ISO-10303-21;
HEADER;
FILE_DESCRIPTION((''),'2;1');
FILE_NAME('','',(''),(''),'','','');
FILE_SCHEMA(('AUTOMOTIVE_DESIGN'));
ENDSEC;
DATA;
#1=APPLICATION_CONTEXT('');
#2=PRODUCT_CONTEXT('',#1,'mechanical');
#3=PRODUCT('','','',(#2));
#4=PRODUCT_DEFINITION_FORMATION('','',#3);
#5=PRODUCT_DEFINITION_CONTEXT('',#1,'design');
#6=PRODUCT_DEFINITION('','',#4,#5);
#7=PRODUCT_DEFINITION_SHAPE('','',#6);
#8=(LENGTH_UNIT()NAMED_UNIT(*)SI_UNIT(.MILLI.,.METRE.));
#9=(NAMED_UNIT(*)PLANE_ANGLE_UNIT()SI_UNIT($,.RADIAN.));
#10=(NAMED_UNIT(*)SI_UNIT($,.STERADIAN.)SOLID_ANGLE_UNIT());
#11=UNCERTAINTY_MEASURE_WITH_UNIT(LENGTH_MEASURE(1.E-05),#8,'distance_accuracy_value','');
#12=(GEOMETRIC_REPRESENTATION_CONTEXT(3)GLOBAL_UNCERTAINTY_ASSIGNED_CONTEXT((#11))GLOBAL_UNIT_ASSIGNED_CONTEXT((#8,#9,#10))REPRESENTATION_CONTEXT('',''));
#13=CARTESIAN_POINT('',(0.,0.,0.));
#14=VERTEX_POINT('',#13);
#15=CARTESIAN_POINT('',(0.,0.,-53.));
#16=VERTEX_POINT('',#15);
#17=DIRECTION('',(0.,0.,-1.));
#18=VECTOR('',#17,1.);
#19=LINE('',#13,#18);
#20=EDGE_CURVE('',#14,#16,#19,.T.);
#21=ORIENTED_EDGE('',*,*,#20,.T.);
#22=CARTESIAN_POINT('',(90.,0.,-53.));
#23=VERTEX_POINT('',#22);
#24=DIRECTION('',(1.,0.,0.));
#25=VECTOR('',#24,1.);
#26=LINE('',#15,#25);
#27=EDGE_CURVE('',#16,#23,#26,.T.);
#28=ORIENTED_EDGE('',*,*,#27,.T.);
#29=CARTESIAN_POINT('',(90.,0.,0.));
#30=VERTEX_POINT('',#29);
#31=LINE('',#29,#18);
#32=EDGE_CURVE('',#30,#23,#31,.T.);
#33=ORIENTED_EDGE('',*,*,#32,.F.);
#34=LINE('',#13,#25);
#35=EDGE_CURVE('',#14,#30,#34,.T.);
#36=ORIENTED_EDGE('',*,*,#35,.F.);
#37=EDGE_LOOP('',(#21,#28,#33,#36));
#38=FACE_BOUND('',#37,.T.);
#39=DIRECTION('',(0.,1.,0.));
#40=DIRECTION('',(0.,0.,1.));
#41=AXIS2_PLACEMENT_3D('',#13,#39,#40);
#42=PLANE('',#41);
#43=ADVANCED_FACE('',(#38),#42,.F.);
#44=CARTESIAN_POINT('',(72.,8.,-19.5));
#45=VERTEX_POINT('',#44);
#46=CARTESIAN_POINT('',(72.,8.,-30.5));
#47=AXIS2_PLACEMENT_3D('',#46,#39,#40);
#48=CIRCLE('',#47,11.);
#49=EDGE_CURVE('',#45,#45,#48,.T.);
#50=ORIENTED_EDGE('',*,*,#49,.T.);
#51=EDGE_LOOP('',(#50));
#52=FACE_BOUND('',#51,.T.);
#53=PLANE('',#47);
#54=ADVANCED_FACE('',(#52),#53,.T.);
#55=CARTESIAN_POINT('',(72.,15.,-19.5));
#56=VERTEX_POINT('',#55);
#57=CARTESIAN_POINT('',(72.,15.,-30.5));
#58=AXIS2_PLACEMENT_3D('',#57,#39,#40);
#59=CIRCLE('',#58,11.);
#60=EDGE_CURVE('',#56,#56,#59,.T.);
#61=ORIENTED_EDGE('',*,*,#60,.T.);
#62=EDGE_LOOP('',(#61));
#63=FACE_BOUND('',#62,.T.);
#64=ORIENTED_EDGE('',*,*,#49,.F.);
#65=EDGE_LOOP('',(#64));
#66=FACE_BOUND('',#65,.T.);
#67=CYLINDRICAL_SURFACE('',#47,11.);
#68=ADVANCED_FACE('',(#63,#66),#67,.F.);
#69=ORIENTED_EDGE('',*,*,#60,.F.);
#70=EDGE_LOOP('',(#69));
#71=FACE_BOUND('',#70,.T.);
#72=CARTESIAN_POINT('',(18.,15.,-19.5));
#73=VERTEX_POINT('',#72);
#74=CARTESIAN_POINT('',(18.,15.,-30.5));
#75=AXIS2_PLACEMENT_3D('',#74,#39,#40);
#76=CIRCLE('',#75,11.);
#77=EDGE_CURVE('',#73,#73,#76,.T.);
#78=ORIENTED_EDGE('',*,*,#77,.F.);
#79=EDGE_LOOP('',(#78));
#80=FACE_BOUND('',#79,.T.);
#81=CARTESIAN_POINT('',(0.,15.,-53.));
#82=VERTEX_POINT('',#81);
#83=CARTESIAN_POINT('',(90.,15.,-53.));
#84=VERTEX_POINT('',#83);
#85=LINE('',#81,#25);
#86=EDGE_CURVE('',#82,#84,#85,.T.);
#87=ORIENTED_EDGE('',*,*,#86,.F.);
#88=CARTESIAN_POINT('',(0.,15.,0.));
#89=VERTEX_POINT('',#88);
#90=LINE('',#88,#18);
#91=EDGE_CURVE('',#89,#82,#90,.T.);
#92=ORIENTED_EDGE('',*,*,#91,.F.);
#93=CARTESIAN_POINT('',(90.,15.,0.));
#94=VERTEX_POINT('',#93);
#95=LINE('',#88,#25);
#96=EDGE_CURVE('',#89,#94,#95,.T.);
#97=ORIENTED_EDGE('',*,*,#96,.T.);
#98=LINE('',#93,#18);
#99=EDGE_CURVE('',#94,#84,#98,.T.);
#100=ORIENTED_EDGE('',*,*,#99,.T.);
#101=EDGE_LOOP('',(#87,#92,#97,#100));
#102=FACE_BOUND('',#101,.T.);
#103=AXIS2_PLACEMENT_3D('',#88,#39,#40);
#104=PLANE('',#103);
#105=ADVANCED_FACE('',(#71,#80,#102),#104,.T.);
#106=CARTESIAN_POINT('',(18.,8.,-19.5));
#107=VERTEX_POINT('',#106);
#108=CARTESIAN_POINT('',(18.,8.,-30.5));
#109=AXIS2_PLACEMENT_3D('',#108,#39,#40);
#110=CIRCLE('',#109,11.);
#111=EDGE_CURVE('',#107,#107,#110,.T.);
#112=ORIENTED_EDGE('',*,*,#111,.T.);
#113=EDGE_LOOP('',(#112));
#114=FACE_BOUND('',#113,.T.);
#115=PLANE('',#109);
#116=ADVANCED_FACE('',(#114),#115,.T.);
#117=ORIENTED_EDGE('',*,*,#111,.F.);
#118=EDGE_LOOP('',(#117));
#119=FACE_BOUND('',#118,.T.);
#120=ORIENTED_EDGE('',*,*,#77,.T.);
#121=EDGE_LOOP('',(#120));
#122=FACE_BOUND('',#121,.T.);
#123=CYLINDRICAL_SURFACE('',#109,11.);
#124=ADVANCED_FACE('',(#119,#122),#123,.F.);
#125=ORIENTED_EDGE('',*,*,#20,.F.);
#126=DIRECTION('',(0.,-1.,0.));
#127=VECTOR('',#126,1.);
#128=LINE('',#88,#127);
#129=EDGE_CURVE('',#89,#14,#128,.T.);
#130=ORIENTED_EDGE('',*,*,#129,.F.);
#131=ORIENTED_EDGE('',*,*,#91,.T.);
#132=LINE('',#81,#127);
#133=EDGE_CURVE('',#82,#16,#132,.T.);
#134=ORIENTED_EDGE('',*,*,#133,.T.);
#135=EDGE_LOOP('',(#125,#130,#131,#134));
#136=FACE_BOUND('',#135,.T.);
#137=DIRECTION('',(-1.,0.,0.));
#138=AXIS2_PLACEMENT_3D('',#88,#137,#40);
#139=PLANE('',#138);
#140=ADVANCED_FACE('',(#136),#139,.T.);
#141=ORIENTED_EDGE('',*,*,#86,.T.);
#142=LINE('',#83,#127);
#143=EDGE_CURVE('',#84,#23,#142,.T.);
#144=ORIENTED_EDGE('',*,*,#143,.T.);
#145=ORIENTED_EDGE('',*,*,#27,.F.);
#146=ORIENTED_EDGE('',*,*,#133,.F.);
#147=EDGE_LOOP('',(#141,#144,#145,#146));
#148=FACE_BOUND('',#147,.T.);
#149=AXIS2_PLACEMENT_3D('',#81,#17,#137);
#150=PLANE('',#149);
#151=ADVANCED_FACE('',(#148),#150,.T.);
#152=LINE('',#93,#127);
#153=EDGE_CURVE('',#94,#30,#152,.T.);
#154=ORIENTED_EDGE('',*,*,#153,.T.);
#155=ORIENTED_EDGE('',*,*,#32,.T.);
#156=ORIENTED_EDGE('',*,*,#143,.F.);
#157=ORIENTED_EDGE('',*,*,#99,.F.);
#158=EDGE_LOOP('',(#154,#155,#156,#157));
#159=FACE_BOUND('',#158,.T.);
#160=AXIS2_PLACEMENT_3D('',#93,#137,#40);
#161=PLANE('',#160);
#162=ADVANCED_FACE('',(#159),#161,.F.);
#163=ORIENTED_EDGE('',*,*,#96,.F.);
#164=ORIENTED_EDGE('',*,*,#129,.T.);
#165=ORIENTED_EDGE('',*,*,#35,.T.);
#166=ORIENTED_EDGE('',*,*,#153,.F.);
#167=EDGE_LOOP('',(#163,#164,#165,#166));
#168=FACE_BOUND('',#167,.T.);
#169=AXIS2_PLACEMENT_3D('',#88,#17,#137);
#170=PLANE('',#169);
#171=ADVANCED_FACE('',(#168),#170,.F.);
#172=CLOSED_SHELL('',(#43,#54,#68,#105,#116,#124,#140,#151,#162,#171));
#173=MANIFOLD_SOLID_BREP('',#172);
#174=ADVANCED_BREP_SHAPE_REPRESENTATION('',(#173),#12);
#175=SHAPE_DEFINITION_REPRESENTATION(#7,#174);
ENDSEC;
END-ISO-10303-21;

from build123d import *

# Parameters (mm, degrees)
CROQUIS1_W              = 90
CROQUIS1_H              = 53
SALIENTE_EXTRUIR1_DEPTH = 15
CROQUIS2_R              = 11
CORTAR_EXTRUIR1_DEPTH   = 7


with BuildPart() as part:
    # Croquis1 → Saliente-Extruir1 (new body)
    with BuildSketch(Plane(origin=(0, 0, 0), x_dir=(1, 0, 0), z_dir=(0, 1, 0))):
        with Locations((45, 26.5)):
            Rectangle(CROQUIS1_W, CROQUIS1_H)
    extrude(amount=SALIENTE_EXTRUIR1_DEPTH)

    # Croquis2 → Cortar-Extruir1 (cut)
    with BuildSketch(Plane(origin=(0, 15, 0), x_dir=(1, 0, 0), z_dir=(0, 1, 0))):
        with Locations(Location((18, 30.5, 0), (0, 0, 270))):
            Circle(CROQUIS2_R)
        with Locations(Location((72, 30.5, 0), (0, 0, 270))):
            Circle(CROQUIS2_R)
    extrude(amount=-CORTAR_EXTRUIR1_DEPTH, mode=Mode.SUBTRACT)


solid = part.part
